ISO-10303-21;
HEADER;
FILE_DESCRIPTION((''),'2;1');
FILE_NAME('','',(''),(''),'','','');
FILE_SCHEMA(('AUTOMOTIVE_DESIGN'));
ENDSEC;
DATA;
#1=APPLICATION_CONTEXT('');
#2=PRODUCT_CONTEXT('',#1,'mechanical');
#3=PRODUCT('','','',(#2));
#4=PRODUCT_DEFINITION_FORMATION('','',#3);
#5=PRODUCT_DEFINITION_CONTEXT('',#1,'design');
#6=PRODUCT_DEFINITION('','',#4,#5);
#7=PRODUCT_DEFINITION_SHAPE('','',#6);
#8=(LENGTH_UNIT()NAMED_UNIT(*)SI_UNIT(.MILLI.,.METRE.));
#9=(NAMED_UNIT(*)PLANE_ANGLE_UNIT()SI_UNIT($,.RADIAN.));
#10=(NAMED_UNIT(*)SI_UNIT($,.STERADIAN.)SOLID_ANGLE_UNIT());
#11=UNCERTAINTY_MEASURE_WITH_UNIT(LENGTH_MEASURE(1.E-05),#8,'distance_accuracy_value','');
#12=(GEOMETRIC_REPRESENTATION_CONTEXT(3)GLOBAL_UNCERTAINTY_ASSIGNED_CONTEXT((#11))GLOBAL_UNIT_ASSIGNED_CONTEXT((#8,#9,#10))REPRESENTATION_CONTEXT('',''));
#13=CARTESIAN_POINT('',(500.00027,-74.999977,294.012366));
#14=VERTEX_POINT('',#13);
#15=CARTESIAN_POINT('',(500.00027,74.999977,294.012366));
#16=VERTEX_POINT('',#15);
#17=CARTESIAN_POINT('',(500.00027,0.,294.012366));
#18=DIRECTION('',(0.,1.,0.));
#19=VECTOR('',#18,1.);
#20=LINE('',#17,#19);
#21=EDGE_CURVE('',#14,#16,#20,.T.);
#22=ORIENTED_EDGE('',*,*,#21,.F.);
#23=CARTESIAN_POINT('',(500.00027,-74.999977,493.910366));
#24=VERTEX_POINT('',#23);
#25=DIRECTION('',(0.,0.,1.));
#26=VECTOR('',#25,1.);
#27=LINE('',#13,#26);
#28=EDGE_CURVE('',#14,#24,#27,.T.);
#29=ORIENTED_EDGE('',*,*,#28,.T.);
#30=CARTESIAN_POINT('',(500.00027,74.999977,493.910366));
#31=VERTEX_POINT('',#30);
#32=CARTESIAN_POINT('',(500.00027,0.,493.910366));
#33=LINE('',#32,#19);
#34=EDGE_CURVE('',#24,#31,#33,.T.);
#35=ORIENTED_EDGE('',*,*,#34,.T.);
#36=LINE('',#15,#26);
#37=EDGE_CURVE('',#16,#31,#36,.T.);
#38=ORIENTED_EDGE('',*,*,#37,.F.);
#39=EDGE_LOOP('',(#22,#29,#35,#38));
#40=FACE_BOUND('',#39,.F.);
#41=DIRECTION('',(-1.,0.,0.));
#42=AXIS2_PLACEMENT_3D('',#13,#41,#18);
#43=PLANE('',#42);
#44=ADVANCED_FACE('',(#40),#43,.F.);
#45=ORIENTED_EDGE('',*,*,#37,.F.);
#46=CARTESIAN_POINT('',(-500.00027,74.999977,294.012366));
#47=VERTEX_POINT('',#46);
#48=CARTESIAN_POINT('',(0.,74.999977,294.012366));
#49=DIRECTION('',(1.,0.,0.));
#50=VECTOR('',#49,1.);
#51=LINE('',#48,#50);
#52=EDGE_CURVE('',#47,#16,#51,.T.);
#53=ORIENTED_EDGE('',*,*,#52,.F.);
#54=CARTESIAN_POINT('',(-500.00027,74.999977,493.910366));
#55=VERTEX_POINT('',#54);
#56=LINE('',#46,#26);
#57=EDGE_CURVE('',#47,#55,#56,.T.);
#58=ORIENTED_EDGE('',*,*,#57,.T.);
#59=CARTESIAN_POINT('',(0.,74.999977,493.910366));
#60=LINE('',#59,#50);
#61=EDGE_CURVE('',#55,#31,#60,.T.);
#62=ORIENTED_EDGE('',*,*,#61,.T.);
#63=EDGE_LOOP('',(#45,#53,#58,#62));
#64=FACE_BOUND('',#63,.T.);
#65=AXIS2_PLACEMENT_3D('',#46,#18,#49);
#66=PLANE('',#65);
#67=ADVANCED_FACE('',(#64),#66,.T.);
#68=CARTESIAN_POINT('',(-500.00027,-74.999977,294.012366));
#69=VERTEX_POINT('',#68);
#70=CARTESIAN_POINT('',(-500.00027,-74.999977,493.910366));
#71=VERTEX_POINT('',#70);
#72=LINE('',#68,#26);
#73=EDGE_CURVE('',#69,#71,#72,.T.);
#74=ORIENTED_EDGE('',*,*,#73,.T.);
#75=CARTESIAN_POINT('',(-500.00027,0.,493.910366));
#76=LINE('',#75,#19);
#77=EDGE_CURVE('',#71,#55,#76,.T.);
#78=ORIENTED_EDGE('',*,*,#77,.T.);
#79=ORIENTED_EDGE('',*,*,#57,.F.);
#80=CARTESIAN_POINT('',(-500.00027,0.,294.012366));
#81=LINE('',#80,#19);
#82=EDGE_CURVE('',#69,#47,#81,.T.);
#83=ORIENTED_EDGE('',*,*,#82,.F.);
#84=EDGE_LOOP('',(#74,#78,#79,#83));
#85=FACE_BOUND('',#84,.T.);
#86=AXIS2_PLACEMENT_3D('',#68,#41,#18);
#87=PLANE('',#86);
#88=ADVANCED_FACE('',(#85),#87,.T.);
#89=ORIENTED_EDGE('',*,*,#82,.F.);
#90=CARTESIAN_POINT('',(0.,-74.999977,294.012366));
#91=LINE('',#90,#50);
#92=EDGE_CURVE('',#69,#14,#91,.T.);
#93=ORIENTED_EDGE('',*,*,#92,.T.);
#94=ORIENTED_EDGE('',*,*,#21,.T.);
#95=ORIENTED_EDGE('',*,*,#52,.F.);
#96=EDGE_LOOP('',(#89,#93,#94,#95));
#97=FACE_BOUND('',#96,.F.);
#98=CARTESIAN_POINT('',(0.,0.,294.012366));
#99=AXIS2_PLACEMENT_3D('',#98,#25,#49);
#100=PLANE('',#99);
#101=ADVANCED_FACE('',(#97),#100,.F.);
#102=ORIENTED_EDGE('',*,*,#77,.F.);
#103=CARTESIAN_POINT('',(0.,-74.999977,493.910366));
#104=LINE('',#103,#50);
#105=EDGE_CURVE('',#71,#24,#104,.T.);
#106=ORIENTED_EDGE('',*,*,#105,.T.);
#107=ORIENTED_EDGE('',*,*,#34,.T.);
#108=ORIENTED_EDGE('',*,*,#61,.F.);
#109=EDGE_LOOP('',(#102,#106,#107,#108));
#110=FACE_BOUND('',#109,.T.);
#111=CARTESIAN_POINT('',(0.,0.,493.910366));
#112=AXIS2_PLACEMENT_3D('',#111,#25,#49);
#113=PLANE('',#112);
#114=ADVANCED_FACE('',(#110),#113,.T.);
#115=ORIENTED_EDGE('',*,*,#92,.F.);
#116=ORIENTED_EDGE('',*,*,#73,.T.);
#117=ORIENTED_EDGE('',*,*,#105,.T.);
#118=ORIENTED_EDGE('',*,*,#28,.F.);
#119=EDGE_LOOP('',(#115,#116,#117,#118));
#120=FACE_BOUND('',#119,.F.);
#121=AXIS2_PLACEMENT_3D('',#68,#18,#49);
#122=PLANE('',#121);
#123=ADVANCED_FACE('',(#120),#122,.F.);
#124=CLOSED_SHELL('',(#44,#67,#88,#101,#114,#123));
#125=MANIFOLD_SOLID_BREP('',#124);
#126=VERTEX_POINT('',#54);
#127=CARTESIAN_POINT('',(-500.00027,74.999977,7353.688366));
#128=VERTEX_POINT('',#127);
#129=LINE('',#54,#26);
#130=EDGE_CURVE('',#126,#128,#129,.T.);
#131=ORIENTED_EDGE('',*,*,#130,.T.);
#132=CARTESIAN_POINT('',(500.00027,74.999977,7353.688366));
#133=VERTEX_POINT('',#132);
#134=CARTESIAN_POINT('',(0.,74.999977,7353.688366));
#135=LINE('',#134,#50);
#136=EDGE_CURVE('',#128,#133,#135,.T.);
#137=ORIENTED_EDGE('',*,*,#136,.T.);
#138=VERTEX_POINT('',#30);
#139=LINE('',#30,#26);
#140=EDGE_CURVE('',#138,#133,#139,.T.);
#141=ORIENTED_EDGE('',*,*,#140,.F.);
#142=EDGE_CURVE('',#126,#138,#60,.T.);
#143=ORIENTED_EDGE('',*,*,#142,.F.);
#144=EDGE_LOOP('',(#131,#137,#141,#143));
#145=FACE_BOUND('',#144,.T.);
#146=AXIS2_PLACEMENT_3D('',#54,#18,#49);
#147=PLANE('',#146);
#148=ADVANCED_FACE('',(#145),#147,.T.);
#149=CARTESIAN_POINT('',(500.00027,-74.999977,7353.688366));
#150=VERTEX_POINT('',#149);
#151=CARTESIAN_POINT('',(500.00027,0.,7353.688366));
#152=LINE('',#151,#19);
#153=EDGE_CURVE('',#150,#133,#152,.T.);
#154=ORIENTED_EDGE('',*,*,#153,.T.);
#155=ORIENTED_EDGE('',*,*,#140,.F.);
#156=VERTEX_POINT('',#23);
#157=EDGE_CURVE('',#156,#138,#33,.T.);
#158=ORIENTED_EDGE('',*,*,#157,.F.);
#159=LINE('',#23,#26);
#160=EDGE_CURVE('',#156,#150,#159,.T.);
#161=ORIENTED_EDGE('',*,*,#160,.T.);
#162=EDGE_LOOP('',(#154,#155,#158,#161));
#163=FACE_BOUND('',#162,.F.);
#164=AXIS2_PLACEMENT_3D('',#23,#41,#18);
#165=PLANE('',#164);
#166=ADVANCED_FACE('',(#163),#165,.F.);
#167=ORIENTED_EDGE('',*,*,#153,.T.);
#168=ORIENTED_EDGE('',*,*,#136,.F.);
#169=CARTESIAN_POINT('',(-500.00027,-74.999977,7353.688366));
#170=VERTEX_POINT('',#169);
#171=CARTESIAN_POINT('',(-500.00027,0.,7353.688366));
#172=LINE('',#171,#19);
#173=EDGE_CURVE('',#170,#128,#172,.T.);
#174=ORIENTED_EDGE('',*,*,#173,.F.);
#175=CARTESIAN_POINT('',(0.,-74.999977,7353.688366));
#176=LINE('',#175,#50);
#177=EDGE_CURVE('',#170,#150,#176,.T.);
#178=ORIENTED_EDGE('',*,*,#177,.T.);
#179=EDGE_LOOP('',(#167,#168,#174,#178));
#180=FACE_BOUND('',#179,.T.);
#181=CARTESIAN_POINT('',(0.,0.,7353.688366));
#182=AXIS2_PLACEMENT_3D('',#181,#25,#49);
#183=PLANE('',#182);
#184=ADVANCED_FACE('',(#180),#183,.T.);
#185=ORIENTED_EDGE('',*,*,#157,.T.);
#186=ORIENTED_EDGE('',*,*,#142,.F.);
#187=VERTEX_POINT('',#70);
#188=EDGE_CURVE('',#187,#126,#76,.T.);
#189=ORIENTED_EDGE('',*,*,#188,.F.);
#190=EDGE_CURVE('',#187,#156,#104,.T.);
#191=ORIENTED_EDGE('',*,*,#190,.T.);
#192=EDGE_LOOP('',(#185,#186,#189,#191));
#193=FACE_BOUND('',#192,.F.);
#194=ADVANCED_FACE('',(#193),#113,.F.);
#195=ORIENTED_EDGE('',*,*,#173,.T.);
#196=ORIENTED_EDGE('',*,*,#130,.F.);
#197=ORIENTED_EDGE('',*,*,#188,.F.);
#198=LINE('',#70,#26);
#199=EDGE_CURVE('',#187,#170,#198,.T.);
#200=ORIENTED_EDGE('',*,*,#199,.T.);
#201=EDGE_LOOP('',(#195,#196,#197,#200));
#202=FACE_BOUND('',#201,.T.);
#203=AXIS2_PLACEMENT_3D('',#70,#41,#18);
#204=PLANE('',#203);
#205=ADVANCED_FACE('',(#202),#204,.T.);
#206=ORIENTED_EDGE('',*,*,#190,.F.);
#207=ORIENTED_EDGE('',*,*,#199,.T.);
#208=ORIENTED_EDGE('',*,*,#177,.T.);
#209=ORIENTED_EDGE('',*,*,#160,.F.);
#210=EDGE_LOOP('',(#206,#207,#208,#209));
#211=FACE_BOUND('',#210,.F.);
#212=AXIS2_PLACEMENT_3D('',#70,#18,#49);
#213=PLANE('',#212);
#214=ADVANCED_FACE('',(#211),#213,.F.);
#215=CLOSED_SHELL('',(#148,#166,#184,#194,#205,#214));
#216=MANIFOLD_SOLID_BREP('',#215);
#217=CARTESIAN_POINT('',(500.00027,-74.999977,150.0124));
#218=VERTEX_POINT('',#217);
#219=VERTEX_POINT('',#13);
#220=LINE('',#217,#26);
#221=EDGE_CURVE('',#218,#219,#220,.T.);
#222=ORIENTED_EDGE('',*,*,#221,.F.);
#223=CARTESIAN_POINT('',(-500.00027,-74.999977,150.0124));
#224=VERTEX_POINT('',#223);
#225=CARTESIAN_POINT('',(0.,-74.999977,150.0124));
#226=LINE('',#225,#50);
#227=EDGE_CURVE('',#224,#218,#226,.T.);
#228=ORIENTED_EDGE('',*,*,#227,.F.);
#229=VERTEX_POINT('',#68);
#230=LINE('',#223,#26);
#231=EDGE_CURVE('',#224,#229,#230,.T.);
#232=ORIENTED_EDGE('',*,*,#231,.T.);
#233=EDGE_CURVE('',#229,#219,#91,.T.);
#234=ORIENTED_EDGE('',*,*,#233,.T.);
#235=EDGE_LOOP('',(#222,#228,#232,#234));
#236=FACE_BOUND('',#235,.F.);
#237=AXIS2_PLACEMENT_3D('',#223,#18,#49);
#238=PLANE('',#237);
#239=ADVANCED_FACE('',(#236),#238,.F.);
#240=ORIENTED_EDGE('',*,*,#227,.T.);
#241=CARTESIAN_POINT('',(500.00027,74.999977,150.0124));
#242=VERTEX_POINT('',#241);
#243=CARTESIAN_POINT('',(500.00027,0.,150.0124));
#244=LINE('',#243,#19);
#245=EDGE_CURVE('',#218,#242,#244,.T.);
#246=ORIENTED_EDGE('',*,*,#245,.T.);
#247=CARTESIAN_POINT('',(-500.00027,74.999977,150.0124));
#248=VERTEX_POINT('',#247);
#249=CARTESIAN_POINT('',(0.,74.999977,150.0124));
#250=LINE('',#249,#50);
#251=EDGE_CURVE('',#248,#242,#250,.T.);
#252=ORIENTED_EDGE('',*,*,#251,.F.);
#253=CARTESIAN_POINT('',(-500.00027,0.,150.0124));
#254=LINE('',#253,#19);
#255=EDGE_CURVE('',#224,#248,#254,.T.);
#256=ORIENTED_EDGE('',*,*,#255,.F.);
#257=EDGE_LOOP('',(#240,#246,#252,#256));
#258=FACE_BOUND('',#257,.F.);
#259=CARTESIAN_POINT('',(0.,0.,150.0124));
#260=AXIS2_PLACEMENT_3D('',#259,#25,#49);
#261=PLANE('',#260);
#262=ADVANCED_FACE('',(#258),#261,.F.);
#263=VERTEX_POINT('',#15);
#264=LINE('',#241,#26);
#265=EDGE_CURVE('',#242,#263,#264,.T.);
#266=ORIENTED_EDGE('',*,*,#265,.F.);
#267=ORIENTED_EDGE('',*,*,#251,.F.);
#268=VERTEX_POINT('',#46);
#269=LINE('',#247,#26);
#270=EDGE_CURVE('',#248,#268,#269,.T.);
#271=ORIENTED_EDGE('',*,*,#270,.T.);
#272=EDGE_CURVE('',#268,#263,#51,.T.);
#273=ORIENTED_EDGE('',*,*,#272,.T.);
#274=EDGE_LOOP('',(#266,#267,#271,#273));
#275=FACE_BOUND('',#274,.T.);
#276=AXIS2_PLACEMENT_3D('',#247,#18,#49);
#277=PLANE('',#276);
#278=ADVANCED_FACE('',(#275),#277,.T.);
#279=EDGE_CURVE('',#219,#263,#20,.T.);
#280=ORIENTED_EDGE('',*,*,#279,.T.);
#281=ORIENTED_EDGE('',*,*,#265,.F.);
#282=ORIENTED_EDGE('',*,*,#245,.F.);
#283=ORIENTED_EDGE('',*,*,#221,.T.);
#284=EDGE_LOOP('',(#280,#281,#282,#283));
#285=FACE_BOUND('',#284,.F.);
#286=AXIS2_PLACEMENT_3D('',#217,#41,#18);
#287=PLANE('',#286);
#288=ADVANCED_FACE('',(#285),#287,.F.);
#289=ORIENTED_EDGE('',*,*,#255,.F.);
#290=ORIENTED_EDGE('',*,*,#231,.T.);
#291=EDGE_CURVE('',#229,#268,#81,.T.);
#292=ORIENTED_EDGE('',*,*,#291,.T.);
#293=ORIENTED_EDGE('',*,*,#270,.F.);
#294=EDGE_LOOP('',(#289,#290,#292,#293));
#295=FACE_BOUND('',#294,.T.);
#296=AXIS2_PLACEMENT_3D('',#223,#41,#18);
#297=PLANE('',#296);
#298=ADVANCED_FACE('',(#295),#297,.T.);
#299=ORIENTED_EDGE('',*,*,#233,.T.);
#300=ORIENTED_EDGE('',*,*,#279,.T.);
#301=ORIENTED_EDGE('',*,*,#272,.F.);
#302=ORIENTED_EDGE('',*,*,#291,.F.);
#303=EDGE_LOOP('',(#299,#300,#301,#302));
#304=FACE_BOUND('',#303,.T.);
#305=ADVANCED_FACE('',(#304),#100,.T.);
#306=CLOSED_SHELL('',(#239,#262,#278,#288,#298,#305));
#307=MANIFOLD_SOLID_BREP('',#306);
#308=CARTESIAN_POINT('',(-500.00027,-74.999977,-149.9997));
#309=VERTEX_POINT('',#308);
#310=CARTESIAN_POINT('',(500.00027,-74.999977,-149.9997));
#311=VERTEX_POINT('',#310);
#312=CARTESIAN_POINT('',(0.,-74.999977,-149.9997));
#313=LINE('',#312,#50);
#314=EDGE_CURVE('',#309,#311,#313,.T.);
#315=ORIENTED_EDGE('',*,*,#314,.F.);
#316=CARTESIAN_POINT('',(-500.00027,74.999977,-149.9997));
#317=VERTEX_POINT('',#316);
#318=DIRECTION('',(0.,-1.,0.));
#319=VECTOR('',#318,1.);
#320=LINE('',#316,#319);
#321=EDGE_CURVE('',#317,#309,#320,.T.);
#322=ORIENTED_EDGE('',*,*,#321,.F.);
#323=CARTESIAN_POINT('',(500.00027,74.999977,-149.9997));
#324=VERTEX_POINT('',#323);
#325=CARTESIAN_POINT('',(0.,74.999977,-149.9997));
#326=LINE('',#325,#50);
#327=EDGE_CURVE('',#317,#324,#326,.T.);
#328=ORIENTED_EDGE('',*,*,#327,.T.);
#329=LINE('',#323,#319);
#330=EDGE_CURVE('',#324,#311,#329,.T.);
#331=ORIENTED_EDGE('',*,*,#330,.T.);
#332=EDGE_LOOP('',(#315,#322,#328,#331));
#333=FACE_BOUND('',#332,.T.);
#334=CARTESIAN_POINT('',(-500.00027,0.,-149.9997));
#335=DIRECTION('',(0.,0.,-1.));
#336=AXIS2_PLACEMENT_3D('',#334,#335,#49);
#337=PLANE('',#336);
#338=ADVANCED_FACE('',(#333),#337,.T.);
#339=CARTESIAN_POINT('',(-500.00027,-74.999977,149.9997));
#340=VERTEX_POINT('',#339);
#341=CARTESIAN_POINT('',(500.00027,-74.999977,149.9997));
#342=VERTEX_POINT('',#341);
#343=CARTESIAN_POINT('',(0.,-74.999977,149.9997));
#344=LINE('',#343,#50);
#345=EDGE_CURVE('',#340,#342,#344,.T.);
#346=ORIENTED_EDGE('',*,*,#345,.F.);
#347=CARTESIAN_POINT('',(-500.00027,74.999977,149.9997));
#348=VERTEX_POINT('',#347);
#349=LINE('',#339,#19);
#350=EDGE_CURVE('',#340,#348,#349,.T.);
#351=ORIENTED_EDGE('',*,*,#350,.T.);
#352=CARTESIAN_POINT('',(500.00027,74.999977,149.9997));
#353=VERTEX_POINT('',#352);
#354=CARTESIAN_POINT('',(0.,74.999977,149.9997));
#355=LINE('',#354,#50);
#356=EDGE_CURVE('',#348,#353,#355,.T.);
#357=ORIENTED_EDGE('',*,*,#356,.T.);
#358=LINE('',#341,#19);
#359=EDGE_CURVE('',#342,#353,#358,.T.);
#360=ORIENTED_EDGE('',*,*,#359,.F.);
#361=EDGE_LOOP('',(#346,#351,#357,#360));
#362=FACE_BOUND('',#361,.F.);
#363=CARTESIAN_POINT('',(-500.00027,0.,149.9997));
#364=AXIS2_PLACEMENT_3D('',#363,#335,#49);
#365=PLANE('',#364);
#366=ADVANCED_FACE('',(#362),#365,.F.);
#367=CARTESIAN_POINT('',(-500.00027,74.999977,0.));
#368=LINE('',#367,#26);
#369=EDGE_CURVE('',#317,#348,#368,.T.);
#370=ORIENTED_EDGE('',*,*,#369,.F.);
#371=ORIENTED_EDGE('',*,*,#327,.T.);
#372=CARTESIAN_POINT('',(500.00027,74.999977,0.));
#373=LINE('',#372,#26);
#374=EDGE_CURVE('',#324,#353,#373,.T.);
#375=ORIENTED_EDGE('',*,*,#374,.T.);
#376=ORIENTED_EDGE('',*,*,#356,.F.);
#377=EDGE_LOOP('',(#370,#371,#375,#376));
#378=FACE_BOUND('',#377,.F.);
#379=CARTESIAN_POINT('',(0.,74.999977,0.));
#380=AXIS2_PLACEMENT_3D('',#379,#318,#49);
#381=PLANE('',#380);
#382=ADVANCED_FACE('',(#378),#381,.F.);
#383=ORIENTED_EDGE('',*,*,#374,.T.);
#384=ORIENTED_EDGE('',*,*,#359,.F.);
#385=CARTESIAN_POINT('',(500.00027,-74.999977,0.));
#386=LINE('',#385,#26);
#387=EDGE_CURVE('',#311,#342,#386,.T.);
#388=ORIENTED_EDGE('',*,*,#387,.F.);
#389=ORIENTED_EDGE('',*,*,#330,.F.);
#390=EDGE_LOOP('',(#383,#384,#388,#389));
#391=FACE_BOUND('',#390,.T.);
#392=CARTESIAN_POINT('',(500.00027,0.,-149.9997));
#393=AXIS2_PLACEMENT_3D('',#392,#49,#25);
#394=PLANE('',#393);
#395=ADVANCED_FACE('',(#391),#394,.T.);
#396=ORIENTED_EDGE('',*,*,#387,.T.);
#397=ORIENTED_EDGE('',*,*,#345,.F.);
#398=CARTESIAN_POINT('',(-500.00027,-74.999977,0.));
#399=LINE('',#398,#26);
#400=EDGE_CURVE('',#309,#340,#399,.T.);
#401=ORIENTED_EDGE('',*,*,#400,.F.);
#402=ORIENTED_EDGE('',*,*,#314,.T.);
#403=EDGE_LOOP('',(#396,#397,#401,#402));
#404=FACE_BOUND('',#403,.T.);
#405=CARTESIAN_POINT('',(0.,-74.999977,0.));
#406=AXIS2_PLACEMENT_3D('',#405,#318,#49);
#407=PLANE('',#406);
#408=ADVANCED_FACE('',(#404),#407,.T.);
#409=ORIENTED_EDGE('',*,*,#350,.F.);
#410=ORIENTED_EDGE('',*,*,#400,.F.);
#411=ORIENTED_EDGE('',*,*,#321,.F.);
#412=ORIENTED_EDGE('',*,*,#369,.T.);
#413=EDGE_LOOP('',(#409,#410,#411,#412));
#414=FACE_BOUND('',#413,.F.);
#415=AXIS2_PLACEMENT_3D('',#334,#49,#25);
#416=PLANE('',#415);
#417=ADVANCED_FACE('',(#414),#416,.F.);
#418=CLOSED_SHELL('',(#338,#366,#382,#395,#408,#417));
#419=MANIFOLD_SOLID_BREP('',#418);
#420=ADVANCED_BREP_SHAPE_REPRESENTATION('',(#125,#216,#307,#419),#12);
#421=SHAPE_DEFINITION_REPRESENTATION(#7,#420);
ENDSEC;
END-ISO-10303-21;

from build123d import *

# Parameters (mm, degrees)
F0_W     = 1000.00054
F0_H     = 299.9994
F1_DEPTH = 74.999977
F3_W     = 1000.00054
F3_H     = 149.999954
F4_DEPTH = 143.999966
F5_W     = 1000.00054
F5_H     = 149.999954
F6_DEPTH = 199.898
F7_W     = 1000.00054
F7_H     = 149.999954
F8_DEPTH = 6859.778


with BuildPart() as f1:
    # F0 (on Front) → F1 (new body, symmetric)
    with BuildSketch(Plane.XZ):
        Rectangle(F0_W, F0_H)
    extrude(amount=F1_DEPTH, both=True)


with BuildPart() as f4:
    # F3 (on offset) → F4 (new body)
    with BuildSketch(Plane.XY.offset(150.0124)):
        Rectangle(F3_W, F3_H)
    extrude(amount=F4_DEPTH)


with BuildPart() as f6:
    # F5 (on face) → F6 (new body)
    with BuildSketch(Plane.XY.offset(294.012366)):
        Rectangle(F5_W, F5_H)
    extrude(amount=F6_DEPTH)


with BuildPart() as f8:
    # F7 (on face) → F8 (new body)
    with BuildSketch(Plane.XY.offset(493.910366)):
        Rectangle(F7_W, F7_H)
    extrude(amount=F8_DEPTH)


solid = Compound([f1.part, f4.part, f6.part, f8.part])
